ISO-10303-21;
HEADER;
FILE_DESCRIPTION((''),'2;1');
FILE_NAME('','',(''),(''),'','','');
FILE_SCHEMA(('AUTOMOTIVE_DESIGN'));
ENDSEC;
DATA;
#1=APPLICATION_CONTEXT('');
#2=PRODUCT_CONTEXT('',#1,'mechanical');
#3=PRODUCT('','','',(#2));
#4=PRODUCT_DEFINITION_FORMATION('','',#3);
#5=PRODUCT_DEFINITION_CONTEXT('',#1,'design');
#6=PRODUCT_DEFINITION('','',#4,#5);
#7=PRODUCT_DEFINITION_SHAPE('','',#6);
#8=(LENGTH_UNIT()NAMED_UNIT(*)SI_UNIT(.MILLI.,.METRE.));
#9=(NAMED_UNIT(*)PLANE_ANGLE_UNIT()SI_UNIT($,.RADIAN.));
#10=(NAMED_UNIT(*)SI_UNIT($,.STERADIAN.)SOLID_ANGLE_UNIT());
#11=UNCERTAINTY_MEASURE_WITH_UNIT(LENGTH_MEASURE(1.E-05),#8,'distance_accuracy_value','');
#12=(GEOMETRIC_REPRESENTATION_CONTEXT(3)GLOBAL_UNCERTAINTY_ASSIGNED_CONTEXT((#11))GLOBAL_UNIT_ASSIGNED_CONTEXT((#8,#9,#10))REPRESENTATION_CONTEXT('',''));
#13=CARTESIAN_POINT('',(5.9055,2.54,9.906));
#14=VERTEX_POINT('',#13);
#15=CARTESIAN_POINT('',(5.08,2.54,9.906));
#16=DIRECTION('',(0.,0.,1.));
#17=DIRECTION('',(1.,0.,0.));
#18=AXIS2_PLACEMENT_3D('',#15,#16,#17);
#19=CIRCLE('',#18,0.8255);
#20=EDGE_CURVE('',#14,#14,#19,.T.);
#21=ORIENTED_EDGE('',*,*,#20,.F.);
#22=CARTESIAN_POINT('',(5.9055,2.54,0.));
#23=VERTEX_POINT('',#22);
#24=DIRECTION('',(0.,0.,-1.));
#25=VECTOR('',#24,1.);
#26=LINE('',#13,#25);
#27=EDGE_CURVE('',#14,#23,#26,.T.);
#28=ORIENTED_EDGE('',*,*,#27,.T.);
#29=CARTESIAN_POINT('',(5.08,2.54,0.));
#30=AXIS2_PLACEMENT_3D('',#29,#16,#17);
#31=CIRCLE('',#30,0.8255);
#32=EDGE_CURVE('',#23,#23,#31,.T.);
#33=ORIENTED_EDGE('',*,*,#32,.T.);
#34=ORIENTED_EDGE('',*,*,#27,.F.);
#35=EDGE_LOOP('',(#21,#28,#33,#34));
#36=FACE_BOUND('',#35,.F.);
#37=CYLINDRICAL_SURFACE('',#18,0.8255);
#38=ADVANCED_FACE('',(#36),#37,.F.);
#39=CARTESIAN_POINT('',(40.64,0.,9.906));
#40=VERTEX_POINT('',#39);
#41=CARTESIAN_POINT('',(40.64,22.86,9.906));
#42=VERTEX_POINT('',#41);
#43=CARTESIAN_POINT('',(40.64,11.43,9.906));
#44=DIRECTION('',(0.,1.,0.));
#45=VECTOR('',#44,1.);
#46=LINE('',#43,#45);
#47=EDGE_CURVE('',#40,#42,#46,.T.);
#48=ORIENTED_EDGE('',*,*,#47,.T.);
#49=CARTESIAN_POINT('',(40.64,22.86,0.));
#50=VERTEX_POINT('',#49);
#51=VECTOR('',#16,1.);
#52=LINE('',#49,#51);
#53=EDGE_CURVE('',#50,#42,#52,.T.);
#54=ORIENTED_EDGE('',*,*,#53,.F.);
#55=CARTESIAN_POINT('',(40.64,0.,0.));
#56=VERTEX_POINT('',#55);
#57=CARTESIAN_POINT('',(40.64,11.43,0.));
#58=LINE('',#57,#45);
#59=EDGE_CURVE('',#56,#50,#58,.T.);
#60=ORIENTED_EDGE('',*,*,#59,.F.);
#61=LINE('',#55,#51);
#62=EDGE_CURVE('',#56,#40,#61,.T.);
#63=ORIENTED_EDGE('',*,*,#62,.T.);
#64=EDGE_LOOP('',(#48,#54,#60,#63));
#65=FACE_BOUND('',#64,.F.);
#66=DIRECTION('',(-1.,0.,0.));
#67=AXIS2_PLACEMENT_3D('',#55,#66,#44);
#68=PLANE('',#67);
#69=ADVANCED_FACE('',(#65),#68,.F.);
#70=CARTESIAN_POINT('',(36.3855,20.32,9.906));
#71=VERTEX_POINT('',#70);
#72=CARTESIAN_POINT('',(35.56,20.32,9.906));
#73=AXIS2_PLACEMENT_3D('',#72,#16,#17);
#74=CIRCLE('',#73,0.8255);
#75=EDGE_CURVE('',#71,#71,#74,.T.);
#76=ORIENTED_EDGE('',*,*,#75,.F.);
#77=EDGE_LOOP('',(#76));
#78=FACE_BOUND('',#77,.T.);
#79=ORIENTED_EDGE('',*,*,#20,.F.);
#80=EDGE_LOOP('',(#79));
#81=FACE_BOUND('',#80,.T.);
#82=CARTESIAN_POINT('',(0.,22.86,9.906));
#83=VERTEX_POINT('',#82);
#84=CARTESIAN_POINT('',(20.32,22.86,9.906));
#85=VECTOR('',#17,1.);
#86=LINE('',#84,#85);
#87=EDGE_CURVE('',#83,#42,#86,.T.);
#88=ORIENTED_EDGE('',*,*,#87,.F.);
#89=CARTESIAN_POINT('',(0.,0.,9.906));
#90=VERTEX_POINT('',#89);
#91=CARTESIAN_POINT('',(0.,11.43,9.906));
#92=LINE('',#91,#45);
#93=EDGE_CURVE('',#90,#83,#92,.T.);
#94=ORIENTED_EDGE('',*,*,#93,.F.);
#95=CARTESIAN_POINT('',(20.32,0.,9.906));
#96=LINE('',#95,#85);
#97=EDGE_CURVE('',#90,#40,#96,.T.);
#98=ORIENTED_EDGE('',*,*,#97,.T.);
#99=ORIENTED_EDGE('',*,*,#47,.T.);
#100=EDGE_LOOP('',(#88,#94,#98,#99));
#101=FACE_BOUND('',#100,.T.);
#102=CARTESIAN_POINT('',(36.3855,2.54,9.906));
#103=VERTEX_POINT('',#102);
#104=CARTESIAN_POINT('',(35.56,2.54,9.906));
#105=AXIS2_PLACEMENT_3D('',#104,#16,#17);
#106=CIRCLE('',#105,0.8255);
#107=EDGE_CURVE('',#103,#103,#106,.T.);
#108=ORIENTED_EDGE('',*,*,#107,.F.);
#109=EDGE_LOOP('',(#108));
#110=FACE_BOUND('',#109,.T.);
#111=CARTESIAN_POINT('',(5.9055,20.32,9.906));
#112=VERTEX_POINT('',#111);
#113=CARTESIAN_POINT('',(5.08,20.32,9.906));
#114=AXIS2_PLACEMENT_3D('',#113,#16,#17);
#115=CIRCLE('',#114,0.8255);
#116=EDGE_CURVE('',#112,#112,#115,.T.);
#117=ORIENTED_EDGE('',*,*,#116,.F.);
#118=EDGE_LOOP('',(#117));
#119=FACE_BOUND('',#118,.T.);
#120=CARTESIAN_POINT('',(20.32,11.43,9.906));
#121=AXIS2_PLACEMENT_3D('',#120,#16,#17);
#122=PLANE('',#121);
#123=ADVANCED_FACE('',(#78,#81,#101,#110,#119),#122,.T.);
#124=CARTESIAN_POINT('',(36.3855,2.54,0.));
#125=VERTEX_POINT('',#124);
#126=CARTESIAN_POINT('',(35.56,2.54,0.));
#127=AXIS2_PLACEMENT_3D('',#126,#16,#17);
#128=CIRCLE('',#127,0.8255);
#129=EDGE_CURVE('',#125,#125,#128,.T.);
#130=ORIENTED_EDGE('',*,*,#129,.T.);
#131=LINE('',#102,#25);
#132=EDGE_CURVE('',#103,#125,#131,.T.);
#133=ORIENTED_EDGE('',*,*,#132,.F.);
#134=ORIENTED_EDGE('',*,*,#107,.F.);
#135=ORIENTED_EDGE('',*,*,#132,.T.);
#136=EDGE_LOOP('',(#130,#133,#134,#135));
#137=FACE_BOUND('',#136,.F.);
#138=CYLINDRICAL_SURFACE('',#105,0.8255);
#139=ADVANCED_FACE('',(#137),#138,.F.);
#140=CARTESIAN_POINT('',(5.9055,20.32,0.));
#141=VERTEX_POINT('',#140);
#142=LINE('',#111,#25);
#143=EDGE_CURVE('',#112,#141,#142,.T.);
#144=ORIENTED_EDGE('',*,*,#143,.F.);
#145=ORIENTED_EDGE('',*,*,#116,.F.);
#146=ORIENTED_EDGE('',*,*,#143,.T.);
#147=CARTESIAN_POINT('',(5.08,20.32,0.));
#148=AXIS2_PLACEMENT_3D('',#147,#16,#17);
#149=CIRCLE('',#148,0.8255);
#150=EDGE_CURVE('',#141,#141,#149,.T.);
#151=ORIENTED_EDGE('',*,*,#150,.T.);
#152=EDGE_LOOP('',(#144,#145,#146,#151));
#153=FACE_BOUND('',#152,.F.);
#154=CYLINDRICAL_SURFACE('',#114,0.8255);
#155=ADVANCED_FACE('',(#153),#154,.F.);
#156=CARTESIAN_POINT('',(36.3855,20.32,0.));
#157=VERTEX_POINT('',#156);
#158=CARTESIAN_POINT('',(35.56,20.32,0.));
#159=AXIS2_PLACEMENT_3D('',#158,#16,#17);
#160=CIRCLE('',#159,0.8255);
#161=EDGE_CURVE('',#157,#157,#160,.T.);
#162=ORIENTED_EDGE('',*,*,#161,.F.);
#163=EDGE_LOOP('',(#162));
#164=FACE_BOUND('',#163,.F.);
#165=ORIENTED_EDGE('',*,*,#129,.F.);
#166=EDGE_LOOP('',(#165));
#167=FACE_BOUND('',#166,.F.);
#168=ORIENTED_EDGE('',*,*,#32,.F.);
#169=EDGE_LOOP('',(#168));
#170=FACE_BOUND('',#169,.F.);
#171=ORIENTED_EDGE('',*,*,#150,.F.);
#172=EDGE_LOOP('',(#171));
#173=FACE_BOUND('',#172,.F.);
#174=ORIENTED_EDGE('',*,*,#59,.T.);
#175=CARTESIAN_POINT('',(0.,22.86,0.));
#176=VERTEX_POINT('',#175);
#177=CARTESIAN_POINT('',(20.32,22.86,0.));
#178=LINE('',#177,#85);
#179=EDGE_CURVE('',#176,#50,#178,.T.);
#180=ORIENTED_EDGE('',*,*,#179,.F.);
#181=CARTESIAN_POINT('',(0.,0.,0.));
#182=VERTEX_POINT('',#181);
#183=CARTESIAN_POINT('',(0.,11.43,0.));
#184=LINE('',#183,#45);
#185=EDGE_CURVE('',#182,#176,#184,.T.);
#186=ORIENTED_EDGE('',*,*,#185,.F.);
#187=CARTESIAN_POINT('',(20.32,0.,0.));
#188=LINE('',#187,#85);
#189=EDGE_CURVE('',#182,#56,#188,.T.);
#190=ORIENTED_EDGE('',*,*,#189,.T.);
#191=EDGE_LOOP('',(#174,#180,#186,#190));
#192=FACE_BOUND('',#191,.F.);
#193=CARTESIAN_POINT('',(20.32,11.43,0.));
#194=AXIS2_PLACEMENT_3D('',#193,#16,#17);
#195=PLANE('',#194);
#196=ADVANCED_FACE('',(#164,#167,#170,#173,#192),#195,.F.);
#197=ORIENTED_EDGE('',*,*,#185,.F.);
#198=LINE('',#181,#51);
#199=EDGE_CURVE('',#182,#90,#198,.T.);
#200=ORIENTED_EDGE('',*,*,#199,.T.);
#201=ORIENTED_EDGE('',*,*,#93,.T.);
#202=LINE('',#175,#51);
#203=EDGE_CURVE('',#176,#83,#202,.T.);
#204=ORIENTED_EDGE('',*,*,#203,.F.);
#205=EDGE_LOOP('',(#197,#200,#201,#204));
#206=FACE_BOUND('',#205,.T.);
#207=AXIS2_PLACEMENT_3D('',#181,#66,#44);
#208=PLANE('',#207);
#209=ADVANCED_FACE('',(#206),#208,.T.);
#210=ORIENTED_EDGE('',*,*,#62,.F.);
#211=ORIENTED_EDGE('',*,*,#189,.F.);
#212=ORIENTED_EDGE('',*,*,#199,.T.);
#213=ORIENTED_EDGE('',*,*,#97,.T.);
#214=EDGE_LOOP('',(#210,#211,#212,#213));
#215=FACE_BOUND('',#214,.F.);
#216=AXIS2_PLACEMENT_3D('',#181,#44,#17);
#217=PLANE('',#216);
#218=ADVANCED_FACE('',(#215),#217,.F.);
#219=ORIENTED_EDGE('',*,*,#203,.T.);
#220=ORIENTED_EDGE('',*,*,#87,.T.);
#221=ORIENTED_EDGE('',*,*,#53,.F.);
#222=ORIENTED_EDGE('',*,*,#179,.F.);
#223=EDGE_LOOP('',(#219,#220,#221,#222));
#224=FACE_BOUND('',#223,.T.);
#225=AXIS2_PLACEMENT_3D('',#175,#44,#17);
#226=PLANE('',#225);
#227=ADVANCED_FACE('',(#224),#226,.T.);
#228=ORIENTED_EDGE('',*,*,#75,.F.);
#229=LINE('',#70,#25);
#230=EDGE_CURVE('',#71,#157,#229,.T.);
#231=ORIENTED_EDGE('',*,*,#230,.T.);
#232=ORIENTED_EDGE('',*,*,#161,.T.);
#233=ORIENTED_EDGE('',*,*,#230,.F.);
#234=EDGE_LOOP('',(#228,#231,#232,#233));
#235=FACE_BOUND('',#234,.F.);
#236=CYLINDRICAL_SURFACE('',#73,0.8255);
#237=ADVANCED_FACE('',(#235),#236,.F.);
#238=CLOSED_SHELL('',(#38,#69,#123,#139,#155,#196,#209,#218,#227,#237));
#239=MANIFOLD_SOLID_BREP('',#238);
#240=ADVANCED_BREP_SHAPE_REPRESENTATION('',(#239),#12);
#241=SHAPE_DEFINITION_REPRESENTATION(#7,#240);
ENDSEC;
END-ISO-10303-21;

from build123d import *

# Parameters (mm, degrees)
F0_W     = 40.64
F0_H     = 22.86
F1_DEPTH = 9.906
F2_R     = 0.8255
F3_DEPTH = 9.906


with BuildPart() as f1:
    # F0 (on Top) → F1 (new body)
    with BuildSketch(Plane.XY):
        with Locations((20.32, 11.43)):
            Rectangle(F0_W, F0_H)
    extrude(amount=F1_DEPTH)

    # F2 (on face) → F3 (cut, through all)
    with BuildSketch(Plane.XY.offset(9.906)):
        with Locations((5.08, 20.32)):
            Circle(F2_R)
        with Locations((35.56, 20.32)):
            Circle(F2_R)
        with Locations((35.56, 2.54)):
            Circle(F2_R)
        with Locations((5.08, 2.54)):
            Circle(F2_R)
    extrude(amount=-F3_DEPTH, mode=Mode.SUBTRACT)


solid = f1.part
